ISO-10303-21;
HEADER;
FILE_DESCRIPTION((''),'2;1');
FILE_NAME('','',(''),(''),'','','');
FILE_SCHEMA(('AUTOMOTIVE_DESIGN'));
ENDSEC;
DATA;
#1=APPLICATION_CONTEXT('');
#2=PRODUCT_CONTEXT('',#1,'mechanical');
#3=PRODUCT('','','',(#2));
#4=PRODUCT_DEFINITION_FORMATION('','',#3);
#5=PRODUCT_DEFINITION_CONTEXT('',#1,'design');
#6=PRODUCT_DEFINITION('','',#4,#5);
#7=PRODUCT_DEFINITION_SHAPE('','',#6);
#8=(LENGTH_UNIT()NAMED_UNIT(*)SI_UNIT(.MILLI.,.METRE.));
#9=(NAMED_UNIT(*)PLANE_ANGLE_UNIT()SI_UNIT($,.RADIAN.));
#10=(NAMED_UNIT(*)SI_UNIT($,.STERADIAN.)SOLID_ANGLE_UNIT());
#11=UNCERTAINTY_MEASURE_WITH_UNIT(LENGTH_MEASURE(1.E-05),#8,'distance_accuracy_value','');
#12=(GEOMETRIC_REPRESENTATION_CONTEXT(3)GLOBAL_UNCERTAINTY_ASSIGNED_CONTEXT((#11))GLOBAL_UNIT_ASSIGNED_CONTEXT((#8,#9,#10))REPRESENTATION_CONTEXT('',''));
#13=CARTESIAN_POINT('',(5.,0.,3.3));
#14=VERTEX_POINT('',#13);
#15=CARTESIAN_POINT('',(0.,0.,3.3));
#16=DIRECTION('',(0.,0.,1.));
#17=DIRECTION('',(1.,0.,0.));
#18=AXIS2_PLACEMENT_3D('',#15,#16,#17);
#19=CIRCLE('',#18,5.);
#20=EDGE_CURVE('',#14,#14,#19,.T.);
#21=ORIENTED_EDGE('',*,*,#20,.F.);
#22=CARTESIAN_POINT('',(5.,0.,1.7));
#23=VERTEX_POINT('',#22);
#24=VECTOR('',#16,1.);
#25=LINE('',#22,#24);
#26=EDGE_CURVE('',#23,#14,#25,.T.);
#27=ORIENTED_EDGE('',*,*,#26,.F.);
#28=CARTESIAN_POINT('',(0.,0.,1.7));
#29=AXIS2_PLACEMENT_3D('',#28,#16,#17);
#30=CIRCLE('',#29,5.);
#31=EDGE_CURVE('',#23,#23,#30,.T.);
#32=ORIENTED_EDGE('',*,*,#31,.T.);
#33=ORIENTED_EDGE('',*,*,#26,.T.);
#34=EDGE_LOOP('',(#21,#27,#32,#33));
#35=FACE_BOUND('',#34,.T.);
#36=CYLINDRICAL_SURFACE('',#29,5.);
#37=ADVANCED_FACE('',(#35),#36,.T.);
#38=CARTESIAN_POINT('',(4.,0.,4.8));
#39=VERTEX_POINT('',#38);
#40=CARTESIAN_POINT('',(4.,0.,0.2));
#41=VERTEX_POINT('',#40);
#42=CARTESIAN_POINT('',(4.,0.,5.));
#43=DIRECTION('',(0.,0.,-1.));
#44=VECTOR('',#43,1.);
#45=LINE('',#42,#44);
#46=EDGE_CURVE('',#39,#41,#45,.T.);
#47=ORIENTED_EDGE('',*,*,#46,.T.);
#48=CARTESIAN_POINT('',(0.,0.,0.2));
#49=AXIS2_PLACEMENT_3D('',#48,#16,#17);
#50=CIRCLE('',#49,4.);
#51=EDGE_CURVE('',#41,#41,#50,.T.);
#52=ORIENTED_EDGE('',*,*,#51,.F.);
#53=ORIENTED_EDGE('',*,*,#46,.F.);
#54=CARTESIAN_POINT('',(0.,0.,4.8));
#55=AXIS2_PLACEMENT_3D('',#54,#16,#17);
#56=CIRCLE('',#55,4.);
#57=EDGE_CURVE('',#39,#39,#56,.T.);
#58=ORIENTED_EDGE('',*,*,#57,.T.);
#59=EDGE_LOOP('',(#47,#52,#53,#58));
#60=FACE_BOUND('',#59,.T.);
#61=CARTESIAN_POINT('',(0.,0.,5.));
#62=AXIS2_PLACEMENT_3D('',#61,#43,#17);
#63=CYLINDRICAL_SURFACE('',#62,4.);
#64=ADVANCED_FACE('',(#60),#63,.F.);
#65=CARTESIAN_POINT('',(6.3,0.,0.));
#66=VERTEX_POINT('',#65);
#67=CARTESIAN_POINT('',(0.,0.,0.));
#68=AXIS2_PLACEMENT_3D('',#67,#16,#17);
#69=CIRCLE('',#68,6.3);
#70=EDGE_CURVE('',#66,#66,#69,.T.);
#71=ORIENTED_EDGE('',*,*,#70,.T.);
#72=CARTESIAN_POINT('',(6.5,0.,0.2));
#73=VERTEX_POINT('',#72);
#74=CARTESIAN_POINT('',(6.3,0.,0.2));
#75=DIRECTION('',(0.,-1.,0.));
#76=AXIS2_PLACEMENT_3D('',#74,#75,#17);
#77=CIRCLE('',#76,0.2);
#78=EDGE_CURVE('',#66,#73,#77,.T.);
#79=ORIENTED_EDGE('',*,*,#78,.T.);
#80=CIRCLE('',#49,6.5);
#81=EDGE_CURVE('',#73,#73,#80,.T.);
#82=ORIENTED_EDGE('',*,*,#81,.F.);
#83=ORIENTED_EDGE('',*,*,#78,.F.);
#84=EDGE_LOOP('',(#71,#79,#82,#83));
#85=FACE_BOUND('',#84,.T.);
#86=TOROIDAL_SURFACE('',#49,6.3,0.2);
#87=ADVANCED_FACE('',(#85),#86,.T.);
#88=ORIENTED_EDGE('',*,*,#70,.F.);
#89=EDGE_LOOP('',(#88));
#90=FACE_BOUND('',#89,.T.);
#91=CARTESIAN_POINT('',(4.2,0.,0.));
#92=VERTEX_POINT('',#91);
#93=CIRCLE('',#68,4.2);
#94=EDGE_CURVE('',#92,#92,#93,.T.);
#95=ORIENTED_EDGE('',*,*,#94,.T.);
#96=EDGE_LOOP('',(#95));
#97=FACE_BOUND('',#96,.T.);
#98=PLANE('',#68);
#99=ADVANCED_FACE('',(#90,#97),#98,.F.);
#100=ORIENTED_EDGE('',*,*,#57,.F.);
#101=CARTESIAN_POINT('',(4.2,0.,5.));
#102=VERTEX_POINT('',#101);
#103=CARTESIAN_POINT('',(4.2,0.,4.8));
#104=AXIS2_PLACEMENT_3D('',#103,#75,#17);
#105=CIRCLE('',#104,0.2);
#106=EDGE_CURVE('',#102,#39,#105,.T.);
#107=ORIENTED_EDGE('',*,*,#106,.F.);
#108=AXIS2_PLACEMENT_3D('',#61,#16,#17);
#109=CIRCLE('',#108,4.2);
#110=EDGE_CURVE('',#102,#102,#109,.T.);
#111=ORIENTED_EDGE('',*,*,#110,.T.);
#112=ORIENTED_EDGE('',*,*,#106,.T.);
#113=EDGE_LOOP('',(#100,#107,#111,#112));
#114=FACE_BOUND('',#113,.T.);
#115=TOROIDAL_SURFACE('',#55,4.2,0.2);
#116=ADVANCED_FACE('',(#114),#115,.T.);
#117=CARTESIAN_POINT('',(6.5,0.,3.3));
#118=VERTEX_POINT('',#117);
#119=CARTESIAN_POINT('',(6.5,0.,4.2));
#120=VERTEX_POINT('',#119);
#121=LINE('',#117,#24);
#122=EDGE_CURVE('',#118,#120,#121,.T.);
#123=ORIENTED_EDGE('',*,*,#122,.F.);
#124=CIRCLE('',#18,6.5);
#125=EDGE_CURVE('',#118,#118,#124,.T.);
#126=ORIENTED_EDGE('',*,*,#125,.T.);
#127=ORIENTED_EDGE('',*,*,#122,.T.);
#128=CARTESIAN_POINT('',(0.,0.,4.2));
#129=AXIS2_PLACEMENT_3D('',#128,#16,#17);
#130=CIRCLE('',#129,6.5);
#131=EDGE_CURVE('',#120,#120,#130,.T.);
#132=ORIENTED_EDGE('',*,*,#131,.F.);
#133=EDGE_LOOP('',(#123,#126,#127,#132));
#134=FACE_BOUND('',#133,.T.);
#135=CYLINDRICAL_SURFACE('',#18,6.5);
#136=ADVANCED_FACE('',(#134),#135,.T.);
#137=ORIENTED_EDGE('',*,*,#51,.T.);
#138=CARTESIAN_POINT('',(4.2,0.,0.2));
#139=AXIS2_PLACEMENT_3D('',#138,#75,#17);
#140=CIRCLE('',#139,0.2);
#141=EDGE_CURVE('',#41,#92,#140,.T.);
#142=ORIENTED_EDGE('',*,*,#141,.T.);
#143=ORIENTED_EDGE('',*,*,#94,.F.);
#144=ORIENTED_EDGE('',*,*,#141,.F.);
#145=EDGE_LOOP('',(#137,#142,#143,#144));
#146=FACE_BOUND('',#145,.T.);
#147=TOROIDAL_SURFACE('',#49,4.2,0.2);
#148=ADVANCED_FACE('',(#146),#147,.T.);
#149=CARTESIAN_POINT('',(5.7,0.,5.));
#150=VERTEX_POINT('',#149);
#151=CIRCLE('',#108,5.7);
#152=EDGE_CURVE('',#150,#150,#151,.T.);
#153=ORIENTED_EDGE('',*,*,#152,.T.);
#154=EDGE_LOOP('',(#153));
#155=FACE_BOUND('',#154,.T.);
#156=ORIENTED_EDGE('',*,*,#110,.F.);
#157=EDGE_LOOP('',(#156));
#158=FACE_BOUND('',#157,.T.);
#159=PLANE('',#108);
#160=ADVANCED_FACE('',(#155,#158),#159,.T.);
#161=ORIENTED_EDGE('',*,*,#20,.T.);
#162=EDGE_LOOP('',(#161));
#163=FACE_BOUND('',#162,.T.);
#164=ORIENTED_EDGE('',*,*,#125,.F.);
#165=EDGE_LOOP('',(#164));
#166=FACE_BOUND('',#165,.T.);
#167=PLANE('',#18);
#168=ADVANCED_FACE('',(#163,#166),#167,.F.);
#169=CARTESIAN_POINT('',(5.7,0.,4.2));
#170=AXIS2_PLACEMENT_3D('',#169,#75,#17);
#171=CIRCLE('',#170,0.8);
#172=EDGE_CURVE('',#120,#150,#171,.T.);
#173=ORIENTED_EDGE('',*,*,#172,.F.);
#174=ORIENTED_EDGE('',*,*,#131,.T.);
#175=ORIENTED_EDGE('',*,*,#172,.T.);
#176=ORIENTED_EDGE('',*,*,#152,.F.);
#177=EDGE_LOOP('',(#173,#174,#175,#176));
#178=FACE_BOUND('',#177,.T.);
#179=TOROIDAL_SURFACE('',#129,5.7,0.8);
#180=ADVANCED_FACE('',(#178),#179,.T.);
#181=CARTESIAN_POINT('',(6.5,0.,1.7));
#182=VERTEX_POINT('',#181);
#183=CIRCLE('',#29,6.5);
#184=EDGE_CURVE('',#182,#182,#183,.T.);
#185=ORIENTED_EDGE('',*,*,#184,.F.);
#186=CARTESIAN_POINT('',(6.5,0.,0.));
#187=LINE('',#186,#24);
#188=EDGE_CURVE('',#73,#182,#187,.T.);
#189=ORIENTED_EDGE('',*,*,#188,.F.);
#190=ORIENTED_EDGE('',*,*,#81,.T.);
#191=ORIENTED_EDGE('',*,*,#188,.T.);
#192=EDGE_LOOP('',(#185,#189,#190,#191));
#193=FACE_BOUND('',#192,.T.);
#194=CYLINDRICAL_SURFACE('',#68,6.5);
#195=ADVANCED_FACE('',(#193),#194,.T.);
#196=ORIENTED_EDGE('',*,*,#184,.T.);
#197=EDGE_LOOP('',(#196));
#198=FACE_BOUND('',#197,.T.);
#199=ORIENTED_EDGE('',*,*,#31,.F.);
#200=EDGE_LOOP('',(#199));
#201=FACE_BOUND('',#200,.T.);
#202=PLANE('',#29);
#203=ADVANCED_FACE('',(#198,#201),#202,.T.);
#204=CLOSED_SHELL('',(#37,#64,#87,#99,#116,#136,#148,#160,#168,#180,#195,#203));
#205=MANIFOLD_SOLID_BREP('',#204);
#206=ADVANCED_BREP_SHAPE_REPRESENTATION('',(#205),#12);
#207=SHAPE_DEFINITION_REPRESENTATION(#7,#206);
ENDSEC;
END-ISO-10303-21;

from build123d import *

# Parameters (mm, degrees)
F2_R = 0.8
F3_R = 0.2


with BuildPart() as f1:
    # F0 (on Front) → F1 (revolve)
    with BuildSketch(Plane.XZ):
        Polygon((4, 5), (4, 0), (6.5, 0), (6.5, 1.7), (5, 1.7), (5, 3.3), (6.5, 3.3), (6.5, 5), align=None)
    revolve(axis=Axis((0, 0, 3.666565), (0, 0, 1)))

    # F2
    f2_edges = [f1.edges().sort_by_distance(p)[0] for p in [
        (-6.5, 0, 5),
    ]]
    fillet(f2_edges, radius=F2_R)

    # F3
    f3_edges = [f1.edges().sort_by_distance(p)[0] for p in [
        (-4, 0, 5),
        (-4, 0, 0),
        (-6.5, 0, 0),
    ]]
    fillet(f3_edges, radius=F3_R)


solid = f1.part
